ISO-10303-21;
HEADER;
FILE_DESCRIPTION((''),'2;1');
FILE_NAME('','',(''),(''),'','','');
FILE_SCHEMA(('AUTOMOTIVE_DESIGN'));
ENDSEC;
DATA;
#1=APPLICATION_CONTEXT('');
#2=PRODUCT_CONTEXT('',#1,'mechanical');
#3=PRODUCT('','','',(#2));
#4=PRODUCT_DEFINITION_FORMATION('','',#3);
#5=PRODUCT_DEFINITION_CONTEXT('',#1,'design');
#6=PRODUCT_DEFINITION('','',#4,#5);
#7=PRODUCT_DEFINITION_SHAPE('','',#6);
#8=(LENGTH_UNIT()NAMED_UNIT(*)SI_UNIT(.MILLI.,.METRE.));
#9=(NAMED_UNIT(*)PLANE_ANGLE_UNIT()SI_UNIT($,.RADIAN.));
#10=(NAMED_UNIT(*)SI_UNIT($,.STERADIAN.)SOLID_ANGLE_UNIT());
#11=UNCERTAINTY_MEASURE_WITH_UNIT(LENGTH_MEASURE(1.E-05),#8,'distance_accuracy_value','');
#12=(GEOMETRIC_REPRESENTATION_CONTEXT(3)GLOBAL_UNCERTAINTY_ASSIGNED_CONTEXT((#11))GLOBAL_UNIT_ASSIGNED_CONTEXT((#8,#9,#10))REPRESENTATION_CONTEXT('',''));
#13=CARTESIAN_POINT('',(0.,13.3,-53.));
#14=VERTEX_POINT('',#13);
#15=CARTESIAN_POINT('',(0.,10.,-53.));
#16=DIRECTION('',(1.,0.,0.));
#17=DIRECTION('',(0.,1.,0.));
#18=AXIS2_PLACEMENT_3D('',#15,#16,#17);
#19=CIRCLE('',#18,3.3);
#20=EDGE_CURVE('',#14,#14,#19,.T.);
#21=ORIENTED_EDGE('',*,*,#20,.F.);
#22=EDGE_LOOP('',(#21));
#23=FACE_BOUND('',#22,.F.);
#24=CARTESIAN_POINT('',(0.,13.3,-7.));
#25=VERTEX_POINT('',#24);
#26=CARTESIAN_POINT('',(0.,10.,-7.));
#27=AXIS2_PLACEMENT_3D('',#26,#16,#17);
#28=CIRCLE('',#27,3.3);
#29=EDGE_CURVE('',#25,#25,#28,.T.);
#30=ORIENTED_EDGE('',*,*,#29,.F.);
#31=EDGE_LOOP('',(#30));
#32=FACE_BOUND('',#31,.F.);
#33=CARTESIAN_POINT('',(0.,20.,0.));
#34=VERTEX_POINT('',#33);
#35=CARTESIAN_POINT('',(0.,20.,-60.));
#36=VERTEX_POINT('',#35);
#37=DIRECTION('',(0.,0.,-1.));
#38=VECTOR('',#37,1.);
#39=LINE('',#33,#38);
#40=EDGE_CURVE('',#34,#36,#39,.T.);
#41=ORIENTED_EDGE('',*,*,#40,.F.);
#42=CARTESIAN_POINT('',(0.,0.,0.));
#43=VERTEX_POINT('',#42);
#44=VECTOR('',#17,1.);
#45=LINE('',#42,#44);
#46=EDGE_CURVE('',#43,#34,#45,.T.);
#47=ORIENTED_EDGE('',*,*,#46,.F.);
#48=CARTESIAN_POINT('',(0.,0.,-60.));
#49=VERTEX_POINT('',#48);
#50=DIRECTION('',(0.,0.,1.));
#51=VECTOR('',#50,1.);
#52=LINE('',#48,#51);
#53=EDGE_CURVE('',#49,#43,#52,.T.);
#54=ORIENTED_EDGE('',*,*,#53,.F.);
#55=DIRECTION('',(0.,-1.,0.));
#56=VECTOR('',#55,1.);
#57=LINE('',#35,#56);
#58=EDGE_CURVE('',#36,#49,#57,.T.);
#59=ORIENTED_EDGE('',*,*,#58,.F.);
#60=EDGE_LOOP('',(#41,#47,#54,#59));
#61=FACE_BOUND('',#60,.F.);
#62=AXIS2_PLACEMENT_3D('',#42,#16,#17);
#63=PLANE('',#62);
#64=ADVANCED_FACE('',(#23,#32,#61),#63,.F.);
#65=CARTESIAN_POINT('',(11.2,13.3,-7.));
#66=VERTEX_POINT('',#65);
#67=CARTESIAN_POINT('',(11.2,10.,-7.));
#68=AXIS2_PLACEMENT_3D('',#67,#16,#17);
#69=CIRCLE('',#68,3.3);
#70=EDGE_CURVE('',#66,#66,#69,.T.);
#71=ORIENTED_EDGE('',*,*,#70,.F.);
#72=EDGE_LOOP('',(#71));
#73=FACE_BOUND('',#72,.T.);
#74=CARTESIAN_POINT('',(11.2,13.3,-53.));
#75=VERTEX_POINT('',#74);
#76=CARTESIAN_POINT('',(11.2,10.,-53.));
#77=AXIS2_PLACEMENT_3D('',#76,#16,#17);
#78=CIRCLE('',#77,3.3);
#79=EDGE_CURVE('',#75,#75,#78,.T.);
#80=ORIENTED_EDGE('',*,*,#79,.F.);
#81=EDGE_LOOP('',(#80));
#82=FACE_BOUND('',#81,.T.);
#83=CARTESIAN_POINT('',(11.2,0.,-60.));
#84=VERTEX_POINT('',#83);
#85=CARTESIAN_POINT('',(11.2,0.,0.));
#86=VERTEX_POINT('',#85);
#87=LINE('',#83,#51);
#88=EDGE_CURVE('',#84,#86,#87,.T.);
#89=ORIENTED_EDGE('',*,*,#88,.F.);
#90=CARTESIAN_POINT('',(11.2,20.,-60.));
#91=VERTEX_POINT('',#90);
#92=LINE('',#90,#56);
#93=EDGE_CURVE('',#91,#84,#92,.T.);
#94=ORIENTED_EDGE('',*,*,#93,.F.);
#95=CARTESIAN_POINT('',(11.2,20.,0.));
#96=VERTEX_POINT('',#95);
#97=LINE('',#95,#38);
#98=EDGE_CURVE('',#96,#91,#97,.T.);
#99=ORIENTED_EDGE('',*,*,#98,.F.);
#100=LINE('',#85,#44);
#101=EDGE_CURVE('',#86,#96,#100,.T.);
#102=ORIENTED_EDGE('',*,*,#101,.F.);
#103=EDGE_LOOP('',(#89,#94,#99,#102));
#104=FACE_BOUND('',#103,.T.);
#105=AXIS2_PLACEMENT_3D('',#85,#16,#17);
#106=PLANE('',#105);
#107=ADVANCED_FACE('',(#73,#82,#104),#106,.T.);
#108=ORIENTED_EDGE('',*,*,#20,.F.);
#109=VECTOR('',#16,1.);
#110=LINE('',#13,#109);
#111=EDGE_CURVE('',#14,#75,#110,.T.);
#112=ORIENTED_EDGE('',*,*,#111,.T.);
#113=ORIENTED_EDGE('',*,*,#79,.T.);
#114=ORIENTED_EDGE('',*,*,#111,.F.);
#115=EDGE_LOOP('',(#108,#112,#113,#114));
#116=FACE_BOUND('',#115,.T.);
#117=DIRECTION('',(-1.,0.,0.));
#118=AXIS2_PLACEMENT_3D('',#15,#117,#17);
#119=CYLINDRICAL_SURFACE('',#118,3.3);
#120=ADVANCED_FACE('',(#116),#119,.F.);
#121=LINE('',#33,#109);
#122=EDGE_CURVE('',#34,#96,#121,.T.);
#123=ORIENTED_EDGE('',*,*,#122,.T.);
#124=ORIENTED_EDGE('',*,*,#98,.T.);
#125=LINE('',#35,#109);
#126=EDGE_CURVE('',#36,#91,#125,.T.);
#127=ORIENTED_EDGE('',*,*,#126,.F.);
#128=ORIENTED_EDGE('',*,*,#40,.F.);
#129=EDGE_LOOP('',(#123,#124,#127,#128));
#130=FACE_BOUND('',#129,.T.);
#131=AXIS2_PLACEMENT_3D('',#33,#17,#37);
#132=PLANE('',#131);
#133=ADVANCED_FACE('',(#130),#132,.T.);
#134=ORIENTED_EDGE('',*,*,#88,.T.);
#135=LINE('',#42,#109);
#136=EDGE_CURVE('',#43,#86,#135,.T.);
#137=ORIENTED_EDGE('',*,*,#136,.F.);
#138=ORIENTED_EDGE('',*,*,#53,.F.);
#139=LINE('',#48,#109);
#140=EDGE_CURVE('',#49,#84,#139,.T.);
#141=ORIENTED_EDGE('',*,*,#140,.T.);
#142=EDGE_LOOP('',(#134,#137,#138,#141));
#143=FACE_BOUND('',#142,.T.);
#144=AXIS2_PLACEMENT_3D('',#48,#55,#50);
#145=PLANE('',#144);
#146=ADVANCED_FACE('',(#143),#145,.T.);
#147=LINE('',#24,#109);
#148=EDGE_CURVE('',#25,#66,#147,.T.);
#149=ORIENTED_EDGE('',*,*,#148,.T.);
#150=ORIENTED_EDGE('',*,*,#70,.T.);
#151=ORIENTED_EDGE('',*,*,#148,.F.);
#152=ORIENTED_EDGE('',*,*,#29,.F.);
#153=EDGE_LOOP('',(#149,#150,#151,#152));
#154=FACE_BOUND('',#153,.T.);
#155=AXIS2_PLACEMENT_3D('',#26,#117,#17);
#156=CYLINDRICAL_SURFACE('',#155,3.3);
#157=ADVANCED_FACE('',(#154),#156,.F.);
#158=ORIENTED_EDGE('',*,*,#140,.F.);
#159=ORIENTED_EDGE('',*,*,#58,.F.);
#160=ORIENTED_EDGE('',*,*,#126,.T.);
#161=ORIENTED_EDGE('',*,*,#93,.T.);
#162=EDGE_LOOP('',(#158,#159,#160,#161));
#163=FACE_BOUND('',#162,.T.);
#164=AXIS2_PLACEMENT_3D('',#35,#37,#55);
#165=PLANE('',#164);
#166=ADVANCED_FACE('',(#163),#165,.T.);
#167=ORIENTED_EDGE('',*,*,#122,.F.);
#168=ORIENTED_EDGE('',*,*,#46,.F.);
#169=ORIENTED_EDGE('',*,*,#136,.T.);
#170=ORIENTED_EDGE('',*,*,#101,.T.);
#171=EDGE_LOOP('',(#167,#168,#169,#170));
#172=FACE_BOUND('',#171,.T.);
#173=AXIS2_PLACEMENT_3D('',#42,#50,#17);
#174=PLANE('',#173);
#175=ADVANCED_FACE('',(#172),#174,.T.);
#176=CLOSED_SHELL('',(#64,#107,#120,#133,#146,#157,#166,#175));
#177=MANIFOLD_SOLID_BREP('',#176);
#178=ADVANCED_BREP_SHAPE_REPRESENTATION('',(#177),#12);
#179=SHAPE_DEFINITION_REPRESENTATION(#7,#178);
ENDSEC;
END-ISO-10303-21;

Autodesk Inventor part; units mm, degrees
ref_plane "YZ Plane" through (0, 0, 0) normal (1, 0, 0) x (0, 1, 0)
ref_plane "XZ Plane" through (0, 0, 0) normal (0, 1, 0) x (-1, 0, 0)
ref_plane "XY Plane" through (0, 0, 0) normal (0, 0, 1) x (1, 0, 0)
sketch "Sketch1" plane through (0, 0, 0) normal (1, 0, 0) x (0, 1, 0)
  line L0 (0, 0) -> (20, 0)
  line L1 (20, 0) -> (20, -60)
  line L2 (20, -60) -> (0, -60)
  line L3 (0, -60) -> (0, 0)
  circle A0 centre (10, -7) radius 3.3
  circle A1 centre (10, -53) radius 3.3
  dimension "d0" = 20
  dimension "d1" = 60
  dimension "d2" = 6.6
  dimension "d3" = 6.6
  dimension "d4" = 46
  dimension "d5" = 10
  dimension "d6" = 7
extrude "Extrusion1" add sketch "Sketch1" along normal blind 11.2
properties part number "BF10_3030_Mount"
